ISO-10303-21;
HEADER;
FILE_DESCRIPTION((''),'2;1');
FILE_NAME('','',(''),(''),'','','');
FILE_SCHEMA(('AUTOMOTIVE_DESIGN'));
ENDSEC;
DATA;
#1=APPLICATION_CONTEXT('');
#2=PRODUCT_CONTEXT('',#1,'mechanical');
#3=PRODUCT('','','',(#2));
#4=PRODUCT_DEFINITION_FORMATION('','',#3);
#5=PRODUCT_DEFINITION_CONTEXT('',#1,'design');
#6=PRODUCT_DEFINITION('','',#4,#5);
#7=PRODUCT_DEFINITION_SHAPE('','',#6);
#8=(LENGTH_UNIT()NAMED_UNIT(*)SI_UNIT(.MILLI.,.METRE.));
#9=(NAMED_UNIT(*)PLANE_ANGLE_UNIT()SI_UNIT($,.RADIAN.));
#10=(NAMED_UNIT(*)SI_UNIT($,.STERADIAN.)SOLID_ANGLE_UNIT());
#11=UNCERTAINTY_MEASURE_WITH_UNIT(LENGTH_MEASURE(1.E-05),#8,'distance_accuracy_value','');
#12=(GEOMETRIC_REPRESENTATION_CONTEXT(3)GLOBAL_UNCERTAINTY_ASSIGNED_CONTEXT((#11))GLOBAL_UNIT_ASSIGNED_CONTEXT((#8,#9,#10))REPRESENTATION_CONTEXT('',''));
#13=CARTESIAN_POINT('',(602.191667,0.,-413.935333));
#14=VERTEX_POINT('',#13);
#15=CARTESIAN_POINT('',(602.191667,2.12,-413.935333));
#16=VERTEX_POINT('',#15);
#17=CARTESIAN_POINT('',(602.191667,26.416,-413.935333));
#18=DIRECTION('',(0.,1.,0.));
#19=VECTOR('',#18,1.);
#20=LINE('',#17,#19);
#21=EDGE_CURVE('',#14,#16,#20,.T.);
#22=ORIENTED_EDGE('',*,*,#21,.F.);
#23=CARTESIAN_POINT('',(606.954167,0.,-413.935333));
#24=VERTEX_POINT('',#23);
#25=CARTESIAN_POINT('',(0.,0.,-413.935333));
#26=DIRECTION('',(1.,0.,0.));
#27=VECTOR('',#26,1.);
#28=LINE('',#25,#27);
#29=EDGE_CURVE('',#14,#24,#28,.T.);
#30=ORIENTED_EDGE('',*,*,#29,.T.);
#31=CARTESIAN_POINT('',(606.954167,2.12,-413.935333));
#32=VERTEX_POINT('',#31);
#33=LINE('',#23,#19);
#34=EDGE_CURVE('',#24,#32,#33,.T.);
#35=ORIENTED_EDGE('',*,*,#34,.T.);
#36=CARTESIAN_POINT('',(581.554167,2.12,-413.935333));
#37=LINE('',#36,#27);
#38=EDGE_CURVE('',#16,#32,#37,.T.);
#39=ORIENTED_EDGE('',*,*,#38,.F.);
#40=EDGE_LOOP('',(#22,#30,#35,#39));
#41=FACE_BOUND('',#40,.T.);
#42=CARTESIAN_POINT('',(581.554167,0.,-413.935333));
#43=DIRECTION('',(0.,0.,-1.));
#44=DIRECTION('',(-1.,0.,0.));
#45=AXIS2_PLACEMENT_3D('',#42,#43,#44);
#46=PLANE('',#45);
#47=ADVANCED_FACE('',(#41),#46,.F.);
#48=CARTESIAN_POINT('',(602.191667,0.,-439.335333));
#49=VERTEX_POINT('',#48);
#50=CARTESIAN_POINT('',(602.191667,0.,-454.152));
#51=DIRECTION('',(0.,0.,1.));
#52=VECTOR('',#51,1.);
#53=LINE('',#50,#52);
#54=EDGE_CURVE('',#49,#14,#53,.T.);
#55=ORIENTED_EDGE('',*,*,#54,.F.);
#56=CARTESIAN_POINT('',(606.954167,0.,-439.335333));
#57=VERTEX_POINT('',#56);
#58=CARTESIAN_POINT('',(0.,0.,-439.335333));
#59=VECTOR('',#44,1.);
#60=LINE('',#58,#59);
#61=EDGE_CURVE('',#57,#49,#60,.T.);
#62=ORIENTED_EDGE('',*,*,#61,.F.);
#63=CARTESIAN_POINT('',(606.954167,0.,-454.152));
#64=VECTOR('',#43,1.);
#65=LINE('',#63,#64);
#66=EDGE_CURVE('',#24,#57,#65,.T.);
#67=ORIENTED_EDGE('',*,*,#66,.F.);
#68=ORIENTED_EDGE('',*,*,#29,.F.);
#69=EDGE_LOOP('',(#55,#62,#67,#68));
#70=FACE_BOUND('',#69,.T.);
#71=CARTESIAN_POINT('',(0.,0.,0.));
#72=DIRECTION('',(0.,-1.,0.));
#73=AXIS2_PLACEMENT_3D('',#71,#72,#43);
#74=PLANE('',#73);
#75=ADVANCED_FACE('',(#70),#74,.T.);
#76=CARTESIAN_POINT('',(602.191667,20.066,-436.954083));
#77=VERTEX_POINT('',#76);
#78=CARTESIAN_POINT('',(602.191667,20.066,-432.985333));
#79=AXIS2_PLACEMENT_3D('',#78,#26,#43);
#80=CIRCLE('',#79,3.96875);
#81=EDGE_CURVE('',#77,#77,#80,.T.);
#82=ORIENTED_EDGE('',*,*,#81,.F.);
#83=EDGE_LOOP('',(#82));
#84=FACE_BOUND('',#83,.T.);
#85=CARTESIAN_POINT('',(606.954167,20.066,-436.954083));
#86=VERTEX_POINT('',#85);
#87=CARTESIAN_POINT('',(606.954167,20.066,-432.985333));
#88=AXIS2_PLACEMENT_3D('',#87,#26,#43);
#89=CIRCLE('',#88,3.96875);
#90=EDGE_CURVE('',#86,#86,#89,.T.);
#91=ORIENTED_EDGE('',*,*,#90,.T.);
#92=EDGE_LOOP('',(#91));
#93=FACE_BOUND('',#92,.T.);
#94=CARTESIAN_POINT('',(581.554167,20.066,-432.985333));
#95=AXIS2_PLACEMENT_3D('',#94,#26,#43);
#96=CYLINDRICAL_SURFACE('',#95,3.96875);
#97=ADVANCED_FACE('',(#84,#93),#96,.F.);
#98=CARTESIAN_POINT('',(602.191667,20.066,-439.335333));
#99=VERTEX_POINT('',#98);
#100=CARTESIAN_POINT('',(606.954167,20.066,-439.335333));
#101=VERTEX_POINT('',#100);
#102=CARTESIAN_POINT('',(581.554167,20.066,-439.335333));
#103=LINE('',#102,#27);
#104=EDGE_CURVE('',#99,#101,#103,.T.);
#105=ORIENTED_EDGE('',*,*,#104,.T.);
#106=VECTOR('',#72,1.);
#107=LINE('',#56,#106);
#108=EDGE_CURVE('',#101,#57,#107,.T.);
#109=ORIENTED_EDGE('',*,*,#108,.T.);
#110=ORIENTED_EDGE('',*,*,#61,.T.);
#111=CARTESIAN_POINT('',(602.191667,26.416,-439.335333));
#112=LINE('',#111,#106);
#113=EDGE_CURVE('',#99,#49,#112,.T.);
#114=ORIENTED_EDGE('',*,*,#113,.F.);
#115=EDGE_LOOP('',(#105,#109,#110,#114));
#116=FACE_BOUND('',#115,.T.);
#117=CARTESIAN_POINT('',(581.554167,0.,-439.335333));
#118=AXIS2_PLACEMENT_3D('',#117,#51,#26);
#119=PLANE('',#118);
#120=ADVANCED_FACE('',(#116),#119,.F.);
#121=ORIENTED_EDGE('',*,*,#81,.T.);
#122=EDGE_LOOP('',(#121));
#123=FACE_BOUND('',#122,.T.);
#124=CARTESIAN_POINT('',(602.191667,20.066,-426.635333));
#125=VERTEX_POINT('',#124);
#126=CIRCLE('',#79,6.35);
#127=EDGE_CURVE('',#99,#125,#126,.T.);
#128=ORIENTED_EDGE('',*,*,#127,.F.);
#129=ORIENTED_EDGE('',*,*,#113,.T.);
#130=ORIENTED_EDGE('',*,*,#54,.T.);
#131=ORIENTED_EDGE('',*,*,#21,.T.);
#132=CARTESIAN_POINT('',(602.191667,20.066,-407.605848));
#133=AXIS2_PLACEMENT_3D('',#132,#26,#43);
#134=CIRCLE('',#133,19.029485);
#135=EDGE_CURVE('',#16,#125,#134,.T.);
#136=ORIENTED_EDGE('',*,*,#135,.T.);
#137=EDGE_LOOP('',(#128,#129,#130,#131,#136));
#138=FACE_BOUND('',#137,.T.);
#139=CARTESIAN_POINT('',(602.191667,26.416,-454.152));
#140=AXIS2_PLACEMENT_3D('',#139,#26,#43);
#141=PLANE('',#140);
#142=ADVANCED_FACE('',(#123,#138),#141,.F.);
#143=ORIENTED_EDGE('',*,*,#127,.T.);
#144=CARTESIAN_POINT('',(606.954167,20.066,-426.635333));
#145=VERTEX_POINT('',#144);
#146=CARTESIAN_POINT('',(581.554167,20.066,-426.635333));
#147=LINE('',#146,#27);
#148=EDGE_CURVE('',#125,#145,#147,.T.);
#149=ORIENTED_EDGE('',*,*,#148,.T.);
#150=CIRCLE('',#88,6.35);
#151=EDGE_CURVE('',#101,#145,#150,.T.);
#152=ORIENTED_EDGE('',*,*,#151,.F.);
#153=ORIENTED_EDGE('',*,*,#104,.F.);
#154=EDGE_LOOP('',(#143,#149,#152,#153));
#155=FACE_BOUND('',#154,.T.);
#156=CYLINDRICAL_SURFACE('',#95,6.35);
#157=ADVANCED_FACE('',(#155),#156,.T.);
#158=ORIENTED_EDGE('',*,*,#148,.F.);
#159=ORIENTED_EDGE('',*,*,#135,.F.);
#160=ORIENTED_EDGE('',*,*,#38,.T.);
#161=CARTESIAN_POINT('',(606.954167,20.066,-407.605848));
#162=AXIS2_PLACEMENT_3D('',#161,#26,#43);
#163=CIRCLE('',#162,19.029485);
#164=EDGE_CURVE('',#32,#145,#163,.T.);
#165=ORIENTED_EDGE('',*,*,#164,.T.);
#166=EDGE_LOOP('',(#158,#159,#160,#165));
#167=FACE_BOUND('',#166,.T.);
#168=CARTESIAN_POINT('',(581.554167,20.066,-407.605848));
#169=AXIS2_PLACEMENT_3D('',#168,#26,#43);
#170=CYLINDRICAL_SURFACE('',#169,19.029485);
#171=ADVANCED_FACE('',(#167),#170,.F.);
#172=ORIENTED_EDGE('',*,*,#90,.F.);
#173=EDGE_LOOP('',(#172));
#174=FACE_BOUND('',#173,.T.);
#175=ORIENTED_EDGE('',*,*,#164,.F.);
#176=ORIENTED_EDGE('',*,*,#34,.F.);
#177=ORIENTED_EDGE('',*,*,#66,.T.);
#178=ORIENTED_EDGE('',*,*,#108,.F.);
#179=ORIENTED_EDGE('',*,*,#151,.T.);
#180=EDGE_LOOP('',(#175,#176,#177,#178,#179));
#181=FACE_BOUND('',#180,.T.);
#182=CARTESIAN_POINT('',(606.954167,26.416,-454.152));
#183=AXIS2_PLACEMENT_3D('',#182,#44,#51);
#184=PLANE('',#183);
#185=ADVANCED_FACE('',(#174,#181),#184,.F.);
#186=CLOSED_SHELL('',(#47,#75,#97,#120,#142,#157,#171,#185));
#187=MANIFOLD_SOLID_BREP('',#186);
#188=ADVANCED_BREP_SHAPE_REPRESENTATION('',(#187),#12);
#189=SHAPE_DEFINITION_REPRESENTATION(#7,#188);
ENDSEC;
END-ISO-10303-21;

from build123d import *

# Parameters (mm, degrees)
CROQUIS1_W              = 4.7625
CROQUIS1_H              = 42.333333333
SALIENTE_EXTRUIR1_DEPTH = 26.416
CROQUIS2_R              = 3.96875
CORTAR_EXTRUIR1_DEPTH   = 25.4


with BuildPart() as part:
    # Croquis1 → Saliente-Extruir1 (new body)
    with BuildSketch(Plane(origin=(0, 0, 0), x_dir=(1, 0, 0), z_dir=(0, 1, 0))):
        with Locations((604.572916667, 432.985333334)):
            Rectangle(CROQUIS1_W, CROQUIS1_H)
    extrude(amount=SALIENTE_EXTRUIR1_DEPTH)

    # Croquis2 → Cortar-Extruir1 (cut)
    with BuildSketch(Plane(origin=(606.954166667, 0, 0), x_dir=(0, 0, -1), z_dir=(1, 0, 0))):
        with BuildLine():
            ThreePointArc((426.635333333, 20.066), (428.495205273, 24.556128061), (432.985333333, 26.416))
            Line((432.985333333, 26.416), (411.818666667, 26.416))
            Line((411.818666667, 26.416), (411.818666667, 0))
            Line((411.818666667, 0), (413.935333333, 0))
            Line((413.935333333, 0), (413.935333333, 2.12))
            ThreePointArc((413.935333333, 2.12), (423.139169599, 9.073401172), (426.635333333, 20.066))
        make_face()
        with BuildLine():
            ThreePointArc((432.985333333, 26.416), (437.475461394, 24.556128061), (439.335333333, 20.066))
            Line((439.335333333, 20.066), (439.335333333, 0))
            Line((439.335333333, 0), (454.152, 0))
            Line((454.152, 0), (454.152, 26.416))
            Line((454.152, 26.416), (432.985333333, 26.416))
        make_face()
        with Locations((432.985333333, 20.066)):
            Circle(CROQUIS2_R)
    extrude(amount=-CORTAR_EXTRUIR1_DEPTH, mode=Mode.SUBTRACT)


solid = part.part
